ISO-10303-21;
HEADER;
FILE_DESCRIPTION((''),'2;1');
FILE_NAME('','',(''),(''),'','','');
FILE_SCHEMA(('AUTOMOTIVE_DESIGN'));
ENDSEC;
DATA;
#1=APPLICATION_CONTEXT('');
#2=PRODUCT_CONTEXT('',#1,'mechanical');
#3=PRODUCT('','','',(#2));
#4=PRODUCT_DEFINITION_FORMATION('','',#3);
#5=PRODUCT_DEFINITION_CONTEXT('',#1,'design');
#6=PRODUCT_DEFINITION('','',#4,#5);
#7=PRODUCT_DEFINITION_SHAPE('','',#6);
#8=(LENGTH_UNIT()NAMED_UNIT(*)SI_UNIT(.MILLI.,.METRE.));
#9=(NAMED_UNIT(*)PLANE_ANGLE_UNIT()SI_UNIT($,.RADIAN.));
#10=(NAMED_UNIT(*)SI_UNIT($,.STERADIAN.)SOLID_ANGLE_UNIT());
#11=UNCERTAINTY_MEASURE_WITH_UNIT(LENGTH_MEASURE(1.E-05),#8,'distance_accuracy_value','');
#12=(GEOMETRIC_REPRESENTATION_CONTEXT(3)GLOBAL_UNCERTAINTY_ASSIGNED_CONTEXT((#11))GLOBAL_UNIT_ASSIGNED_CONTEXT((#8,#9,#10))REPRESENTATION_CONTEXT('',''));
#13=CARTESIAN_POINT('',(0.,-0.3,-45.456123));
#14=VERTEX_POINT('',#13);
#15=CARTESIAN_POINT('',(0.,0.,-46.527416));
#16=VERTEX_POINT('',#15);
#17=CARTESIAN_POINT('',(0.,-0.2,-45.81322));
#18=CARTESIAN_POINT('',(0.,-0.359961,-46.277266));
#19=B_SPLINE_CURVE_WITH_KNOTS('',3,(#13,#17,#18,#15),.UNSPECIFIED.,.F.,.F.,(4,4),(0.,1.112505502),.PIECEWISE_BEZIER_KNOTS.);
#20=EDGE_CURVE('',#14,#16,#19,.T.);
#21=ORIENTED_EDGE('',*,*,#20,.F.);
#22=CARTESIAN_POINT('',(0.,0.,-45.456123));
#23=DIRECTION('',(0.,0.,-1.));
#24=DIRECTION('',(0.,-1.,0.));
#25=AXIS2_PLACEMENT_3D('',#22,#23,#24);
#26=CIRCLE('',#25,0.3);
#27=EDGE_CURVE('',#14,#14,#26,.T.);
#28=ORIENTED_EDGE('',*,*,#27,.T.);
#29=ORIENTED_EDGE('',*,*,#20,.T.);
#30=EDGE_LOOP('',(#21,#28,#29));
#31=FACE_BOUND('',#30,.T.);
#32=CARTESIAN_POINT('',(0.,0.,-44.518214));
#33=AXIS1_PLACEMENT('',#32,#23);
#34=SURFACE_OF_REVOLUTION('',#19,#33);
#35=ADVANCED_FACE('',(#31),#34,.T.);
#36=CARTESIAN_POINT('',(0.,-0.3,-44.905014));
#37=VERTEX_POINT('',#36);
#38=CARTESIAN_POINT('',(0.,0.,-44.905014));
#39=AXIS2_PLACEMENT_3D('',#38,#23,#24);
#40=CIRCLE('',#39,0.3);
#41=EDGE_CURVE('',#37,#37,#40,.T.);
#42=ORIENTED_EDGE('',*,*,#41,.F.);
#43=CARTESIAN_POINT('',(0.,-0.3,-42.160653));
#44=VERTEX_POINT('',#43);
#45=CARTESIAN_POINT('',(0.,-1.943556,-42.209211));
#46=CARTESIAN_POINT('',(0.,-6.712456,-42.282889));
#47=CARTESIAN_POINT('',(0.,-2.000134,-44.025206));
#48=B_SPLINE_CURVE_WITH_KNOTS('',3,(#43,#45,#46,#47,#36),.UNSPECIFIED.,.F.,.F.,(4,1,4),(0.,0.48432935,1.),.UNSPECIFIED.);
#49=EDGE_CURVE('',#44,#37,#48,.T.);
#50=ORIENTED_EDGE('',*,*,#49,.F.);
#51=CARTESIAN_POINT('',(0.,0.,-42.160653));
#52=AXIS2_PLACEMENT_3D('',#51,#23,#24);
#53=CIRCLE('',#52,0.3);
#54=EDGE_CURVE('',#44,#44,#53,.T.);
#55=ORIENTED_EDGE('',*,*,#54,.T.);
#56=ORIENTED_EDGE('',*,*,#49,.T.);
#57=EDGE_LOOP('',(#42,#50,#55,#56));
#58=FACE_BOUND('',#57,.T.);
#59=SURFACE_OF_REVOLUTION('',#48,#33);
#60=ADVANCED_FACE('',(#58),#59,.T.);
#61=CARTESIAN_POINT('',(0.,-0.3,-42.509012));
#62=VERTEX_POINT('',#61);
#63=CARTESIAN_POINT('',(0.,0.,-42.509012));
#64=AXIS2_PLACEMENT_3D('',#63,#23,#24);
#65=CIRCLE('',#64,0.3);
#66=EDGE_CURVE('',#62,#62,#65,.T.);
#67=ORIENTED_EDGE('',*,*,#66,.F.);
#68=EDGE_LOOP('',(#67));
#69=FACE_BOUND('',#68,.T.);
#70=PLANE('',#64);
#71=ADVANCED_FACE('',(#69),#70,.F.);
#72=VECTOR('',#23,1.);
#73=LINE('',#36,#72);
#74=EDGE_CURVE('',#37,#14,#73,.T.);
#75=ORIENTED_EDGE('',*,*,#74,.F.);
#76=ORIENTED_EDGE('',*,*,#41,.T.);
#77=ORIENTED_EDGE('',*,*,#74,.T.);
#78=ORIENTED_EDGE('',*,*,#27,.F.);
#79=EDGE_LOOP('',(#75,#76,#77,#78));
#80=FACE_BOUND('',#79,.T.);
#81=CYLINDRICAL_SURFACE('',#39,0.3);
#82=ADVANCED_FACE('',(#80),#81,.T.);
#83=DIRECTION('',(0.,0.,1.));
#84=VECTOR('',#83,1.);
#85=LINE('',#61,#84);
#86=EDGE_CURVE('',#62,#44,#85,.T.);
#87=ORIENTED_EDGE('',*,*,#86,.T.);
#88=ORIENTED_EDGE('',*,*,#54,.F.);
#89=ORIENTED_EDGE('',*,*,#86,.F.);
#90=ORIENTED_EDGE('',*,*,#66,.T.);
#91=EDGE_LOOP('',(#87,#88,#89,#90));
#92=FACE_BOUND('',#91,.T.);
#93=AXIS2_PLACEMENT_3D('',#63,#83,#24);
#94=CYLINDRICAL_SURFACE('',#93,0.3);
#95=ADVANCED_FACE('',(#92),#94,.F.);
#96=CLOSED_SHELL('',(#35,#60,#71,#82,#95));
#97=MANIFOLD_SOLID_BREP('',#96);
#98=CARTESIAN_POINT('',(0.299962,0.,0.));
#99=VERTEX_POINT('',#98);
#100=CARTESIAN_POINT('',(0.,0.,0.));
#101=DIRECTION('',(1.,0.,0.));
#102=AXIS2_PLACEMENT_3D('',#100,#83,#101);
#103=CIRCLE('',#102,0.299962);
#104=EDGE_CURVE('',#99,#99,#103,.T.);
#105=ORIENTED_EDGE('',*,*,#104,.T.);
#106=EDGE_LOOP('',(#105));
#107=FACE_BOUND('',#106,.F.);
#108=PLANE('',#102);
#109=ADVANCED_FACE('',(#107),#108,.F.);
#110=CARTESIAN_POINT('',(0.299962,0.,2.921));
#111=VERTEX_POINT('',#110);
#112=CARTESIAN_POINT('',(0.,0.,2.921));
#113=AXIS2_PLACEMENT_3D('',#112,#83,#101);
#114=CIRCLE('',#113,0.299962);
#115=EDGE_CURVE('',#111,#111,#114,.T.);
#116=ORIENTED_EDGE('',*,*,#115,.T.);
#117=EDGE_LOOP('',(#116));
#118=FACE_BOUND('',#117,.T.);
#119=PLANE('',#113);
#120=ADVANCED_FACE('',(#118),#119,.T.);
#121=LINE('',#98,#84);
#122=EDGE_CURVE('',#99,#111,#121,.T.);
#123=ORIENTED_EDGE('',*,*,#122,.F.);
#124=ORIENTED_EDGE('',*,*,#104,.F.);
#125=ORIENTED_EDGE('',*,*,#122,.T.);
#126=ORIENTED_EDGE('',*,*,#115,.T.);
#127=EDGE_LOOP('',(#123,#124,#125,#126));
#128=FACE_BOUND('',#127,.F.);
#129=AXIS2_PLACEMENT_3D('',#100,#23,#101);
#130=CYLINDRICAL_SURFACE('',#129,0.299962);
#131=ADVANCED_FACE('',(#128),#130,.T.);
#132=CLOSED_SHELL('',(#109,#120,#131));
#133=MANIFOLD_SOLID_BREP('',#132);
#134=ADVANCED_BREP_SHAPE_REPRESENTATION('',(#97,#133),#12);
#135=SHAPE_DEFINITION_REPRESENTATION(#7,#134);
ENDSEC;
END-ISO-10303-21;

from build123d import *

# Parameters (mm, degrees)
F0_W     = 2.1102636238
F0_H     = 0.3483593464
F4_R     = 0.2999620651
F5_DEPTH = 2.921


with BuildPart() as f1:
    # F0 (on Right) → F1 (revolve)
    with BuildSketch(Plane.YZ):
        with BuildLine():
            Line((0, -46.527415514), (0, -42.5090119243))
            Line((0, -42.5090119243), (-0.3, -42.5090119243))
            Line((-0.3, -42.5090119243), (-0.3, -42.1606525779))
            add(Edge.make_bspline(
                [(-0.3, -42.1606525779), (-1.9435562564, -42.2092112368), (-6.7124556668, -42.2828893694), (-2.0001339672, -44.0252055029), (-0.3, -44.9050143361)],
                knots=[0, 0, 0, 0, 0.4843293501, 1, 1, 1, 1], degree=3))
            Line((-0.3, -44.9050143361), (-0.3, -45.456122607))
            add(Edge.make_bspline(
                [(-0.3, -45.456122607), (-0.2, -45.8132202427), (-0.3599610354, -46.2772659957), (0, -46.527415514)],
                knots=[0, 0, 0, 0, 1.1125055023, 1.1125055023, 1.1125055023, 1.1125055023], degree=3))
        make_face()
    revolve(axis=Axis((0, 0, -44.5182137191), (0, 0, -1)))


with BuildPart() as f2:
    # F0 (on Right) → F2 (revolve)
    with BuildSketch(Plane.YZ):
        with Locations((-3.9339110663, -48.2831820846)):
            Rectangle(F0_W, F0_H)
    revolve(axis=Axis((0, -3.9339110663, -48.4573617578), (0, 1, 0)))


with BuildPart() as f5:
    # F4 (on Top) → F5 (new body)
    with BuildSketch(Plane.XY):
        Circle(F4_R)
    extrude(amount=F5_DEPTH)


solid = Compound([f1.part, f5.part])
